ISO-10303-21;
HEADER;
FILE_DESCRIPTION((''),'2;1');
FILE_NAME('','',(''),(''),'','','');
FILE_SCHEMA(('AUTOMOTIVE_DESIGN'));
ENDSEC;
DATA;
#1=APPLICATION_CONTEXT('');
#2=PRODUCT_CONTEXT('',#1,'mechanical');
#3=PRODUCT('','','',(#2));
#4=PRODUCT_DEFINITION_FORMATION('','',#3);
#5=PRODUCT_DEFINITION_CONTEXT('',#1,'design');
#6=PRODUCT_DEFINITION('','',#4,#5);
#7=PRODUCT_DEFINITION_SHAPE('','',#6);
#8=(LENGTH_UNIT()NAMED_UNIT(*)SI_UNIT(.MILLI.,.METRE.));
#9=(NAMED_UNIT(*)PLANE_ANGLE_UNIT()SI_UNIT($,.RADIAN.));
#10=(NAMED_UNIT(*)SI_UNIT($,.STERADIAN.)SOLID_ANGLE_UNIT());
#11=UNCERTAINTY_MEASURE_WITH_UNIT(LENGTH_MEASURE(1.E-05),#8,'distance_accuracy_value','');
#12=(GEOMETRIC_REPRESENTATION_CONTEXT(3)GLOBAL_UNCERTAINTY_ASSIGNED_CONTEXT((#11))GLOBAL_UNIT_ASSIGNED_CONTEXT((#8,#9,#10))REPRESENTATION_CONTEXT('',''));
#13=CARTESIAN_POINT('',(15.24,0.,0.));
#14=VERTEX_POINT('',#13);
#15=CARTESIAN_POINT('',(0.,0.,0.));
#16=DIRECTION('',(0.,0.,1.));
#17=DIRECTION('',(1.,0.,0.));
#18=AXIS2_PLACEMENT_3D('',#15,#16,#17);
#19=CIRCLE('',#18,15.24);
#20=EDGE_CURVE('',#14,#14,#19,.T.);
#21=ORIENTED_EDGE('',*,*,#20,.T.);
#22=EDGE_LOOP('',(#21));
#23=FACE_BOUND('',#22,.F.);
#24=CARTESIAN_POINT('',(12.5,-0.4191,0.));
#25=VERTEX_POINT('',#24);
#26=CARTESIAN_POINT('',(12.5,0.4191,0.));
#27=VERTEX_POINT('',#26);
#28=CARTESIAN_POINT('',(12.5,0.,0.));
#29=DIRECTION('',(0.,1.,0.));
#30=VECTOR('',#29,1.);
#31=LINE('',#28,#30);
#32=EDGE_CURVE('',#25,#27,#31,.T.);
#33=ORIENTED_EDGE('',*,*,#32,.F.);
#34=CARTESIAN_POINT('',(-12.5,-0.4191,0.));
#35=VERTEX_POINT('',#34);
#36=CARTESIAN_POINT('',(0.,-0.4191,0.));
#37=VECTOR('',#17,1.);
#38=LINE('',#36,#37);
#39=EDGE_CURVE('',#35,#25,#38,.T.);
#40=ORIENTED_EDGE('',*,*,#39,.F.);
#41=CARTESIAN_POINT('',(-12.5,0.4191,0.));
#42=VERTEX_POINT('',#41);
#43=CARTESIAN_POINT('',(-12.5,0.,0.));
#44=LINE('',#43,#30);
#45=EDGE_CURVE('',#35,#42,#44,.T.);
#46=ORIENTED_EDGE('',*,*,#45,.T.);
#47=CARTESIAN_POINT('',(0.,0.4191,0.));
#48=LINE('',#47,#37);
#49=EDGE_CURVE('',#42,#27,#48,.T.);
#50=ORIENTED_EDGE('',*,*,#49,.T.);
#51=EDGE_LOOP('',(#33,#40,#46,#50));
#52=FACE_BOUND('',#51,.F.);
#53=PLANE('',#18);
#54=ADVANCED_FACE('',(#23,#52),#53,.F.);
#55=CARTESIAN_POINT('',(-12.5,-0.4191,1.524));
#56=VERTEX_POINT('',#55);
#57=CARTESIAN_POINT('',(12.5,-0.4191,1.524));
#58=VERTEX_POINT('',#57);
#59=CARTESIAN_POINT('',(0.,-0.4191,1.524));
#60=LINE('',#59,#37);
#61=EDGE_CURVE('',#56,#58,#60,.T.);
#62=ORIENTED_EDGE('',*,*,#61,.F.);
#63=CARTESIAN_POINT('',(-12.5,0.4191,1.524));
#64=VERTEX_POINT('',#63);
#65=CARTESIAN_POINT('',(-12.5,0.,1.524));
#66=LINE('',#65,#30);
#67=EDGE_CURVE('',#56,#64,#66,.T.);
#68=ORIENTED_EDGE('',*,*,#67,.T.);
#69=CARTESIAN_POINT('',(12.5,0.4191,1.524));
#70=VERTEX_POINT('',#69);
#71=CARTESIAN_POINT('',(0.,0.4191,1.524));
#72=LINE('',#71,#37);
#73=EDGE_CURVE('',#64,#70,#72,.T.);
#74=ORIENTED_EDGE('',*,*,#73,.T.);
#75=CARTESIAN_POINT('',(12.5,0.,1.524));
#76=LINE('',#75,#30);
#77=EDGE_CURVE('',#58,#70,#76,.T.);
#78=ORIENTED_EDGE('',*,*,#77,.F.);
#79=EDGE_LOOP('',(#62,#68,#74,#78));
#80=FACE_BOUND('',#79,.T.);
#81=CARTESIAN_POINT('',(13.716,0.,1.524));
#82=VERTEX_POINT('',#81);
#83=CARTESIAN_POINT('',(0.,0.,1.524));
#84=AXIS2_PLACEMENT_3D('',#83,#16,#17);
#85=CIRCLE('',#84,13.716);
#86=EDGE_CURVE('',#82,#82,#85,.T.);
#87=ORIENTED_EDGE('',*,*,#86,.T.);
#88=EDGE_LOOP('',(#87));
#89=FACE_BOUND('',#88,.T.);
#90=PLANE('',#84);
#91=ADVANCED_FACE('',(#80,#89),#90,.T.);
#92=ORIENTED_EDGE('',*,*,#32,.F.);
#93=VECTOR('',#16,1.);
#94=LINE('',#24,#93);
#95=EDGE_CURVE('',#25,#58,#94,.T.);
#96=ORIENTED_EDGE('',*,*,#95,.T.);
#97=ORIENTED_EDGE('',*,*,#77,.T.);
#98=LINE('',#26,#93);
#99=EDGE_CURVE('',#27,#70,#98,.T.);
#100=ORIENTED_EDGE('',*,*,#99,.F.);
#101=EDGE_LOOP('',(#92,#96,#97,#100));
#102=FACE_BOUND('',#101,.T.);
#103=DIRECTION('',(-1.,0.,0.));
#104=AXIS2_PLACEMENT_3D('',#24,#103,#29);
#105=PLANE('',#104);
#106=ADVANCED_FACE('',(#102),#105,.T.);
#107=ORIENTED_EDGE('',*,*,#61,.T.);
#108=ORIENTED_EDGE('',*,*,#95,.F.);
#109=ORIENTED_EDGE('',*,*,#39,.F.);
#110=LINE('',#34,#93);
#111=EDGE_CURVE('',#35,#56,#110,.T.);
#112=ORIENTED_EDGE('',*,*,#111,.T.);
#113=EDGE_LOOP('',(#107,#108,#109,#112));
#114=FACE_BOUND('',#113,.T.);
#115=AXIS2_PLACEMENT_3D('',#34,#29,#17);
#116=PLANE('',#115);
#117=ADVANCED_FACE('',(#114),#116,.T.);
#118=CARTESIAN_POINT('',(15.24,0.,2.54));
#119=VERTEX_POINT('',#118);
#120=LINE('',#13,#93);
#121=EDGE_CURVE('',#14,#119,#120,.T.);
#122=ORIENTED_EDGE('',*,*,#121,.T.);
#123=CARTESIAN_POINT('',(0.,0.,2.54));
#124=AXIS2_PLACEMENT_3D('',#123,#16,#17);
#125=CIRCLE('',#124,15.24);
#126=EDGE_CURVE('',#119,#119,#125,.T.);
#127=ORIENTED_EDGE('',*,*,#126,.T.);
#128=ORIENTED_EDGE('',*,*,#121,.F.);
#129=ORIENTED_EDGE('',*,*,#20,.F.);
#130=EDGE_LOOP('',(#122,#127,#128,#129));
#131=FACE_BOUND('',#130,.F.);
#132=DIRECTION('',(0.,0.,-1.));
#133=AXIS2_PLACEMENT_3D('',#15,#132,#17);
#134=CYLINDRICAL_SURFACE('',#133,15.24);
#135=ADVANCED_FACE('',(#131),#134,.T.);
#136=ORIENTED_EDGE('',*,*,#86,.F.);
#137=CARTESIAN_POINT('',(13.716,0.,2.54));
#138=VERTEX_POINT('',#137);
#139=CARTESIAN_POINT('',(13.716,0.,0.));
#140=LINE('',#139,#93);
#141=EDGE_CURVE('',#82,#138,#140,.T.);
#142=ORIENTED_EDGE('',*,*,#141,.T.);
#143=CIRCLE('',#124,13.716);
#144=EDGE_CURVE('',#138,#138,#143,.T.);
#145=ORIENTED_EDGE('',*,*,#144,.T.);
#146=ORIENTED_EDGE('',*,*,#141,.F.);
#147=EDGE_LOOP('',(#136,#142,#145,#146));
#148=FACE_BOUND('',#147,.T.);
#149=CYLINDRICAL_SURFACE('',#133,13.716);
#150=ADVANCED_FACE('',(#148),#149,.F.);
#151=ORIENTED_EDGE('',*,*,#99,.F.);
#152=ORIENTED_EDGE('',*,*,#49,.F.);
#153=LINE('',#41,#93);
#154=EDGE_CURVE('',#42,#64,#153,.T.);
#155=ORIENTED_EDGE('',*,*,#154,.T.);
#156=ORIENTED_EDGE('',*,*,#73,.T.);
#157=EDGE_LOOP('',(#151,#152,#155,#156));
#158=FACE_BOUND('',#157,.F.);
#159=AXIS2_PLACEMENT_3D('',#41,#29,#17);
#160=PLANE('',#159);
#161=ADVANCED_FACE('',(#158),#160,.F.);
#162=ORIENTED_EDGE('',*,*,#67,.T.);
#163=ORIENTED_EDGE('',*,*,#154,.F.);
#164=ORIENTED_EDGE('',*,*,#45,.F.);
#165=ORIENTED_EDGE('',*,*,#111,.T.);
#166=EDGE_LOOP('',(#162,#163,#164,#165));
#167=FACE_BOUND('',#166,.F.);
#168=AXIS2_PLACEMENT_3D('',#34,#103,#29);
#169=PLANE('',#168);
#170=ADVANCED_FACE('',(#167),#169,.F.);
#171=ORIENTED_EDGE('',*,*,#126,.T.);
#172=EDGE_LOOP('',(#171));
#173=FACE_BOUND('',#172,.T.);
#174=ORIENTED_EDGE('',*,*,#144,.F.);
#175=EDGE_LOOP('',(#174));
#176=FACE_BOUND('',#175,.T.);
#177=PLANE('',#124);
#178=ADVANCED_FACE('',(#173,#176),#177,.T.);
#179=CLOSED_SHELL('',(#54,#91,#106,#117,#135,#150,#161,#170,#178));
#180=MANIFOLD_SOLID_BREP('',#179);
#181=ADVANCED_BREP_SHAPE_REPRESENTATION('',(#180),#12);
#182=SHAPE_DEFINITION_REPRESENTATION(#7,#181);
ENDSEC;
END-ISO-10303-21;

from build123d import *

# Parameters (mm, degrees)
F0_R     = 15.24
F0_R_2   = 13.716
F1_DEPTH = 2.54
F0_W     = 25
F0_H     = 0.8382
F2_DEPTH = 1.524


with BuildPart() as f1:
    # F0 (on Top) → F1 (new body)
    with BuildSketch(Plane.XY):
        Circle(F0_R)
        Circle(F0_R_2, mode=Mode.SUBTRACT)
    extrude(amount=F1_DEPTH)

    # F0 (on Top) → F2 (join)
    with BuildSketch(Plane.XY):
        Circle(F0_R_2)
        Rectangle(F0_W, F0_H, mode=Mode.SUBTRACT)
    extrude(amount=F2_DEPTH)


solid = f1.part
